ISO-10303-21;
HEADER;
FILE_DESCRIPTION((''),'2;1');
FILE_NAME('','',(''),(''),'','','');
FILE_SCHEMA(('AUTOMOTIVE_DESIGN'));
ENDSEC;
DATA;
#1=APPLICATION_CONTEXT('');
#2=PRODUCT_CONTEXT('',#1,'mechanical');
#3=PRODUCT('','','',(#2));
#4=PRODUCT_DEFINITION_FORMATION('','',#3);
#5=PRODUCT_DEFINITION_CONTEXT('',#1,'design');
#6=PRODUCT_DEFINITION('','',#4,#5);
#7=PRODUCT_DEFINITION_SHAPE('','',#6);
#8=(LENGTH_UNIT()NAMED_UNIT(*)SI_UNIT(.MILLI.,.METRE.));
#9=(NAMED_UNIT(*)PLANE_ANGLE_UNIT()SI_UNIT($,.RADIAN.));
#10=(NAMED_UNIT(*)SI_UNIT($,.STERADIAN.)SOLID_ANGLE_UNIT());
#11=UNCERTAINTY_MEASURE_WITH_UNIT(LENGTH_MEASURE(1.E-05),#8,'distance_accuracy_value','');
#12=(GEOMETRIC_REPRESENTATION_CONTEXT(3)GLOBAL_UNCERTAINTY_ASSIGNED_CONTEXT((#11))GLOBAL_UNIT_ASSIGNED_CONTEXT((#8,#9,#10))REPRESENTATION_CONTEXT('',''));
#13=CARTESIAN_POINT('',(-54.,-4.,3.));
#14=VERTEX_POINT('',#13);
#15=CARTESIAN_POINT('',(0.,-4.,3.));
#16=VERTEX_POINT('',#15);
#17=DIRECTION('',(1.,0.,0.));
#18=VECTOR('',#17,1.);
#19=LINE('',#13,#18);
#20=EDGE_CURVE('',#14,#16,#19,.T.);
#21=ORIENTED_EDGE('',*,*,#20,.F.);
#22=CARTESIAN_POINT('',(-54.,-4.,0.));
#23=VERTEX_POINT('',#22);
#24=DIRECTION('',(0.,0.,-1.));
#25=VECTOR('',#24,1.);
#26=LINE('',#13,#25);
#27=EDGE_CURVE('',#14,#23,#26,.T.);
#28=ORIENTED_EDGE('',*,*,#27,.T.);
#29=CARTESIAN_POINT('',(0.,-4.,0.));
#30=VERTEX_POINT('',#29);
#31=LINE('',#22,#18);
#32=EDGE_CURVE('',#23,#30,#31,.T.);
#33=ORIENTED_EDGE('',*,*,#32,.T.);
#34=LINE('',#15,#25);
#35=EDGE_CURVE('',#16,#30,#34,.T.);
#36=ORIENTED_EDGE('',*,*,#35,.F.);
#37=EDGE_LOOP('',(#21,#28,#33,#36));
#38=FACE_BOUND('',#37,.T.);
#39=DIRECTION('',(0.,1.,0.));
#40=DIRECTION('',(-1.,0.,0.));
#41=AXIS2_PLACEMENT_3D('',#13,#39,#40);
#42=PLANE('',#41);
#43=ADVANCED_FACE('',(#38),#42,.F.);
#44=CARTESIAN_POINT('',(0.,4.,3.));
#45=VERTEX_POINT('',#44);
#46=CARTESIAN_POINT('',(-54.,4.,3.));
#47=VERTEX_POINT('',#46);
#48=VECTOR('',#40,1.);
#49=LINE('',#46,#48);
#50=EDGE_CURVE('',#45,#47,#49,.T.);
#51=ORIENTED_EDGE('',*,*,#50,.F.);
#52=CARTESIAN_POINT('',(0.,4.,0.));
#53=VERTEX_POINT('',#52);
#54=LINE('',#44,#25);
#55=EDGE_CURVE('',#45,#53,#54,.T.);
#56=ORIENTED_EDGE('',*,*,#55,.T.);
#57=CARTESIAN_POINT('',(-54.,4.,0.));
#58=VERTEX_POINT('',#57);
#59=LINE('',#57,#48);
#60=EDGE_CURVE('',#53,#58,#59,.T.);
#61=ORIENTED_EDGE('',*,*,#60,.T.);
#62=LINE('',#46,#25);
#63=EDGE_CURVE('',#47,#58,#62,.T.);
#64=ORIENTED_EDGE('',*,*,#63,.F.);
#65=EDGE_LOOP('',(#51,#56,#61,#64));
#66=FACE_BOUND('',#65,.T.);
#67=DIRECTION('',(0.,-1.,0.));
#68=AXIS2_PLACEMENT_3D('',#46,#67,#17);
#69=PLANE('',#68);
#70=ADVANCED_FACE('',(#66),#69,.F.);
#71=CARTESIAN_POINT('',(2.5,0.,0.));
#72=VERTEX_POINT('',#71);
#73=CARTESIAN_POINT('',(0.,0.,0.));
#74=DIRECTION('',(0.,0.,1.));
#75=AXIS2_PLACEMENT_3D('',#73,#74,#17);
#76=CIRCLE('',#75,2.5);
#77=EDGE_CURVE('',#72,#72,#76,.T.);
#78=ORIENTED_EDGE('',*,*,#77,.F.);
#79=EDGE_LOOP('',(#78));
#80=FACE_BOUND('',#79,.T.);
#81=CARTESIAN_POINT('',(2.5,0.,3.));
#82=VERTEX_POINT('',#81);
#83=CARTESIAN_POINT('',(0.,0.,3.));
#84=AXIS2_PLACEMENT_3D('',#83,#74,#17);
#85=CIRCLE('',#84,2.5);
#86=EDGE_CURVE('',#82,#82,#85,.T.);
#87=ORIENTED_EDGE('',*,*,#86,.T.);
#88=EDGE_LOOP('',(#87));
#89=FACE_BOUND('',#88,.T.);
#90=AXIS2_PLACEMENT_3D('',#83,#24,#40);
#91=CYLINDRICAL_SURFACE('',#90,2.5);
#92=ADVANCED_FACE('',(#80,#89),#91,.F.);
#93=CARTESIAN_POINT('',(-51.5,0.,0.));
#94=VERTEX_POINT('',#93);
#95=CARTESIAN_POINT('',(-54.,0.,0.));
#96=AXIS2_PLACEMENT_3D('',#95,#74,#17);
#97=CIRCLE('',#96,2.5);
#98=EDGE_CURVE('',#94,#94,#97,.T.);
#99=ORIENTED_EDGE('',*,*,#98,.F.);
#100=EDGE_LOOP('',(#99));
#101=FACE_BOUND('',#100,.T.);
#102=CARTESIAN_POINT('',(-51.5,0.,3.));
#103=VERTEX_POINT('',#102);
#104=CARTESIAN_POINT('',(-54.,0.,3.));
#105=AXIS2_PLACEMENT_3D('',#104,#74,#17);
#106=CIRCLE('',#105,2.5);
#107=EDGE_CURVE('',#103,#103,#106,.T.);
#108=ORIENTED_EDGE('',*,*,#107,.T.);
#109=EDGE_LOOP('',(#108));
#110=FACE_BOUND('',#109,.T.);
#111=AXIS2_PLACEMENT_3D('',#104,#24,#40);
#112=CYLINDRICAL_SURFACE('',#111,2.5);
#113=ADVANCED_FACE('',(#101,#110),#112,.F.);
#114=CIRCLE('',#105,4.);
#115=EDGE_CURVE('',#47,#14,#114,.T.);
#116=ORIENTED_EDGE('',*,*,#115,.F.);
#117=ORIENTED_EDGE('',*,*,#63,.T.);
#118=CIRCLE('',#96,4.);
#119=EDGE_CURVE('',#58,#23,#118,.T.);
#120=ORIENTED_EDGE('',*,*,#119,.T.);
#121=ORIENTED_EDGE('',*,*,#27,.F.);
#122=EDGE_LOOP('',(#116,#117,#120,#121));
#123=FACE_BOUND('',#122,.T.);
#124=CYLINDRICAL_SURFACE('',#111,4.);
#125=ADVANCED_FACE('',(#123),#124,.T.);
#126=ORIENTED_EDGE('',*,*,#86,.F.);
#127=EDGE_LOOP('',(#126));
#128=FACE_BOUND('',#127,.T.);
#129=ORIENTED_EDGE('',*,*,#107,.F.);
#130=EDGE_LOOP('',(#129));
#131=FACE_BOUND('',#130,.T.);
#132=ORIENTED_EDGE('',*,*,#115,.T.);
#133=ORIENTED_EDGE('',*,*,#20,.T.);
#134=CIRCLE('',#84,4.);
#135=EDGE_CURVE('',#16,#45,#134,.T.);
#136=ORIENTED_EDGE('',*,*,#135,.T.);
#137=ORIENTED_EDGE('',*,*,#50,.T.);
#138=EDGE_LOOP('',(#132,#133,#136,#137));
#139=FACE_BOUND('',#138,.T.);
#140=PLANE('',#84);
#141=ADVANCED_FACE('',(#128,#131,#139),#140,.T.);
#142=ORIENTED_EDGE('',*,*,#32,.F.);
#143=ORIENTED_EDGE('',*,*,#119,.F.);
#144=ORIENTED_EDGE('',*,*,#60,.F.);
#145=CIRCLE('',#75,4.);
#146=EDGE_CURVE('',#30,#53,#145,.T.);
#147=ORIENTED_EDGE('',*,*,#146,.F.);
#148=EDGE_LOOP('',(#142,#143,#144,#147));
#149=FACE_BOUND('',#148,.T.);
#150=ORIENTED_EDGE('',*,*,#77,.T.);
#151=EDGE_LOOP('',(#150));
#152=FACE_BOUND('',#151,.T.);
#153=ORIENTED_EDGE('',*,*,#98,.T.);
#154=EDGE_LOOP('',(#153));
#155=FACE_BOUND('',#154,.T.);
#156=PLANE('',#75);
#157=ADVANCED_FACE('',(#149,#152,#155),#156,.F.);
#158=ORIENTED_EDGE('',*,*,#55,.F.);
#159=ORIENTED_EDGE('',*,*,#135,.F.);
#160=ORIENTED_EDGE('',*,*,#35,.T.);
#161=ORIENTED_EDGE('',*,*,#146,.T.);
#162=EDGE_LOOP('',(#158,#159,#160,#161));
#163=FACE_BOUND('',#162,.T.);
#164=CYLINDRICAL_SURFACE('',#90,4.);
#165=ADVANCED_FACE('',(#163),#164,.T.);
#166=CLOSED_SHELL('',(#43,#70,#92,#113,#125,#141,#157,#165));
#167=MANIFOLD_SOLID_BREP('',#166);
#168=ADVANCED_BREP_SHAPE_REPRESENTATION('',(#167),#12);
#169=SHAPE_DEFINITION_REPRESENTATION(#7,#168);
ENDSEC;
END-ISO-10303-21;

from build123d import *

# Parameters (mm, degrees)
SKETCH2_R           = 2.5
BOSS_EXTRUDE1_DEPTH = 3


with BuildPart() as part:
    # Sketch2 → Boss-Extrude1 (new body)
    with BuildSketch(Plane.XY):
        with BuildLine():
            Line((-54, 4), (0, 4))
            ThreePointArc((0, 4), (4, 0), (0, -4))
            Line((0, -4), (-54, -4))
            ThreePointArc((-54, -4), (-58, 0), (-54, 4))
        make_face()
        with Locations((-54, 0)):
            Circle(SKETCH2_R, mode=Mode.SUBTRACT)
        Circle(SKETCH2_R, mode=Mode.SUBTRACT)
    extrude(amount=BOSS_EXTRUDE1_DEPTH)


solid = part.part
